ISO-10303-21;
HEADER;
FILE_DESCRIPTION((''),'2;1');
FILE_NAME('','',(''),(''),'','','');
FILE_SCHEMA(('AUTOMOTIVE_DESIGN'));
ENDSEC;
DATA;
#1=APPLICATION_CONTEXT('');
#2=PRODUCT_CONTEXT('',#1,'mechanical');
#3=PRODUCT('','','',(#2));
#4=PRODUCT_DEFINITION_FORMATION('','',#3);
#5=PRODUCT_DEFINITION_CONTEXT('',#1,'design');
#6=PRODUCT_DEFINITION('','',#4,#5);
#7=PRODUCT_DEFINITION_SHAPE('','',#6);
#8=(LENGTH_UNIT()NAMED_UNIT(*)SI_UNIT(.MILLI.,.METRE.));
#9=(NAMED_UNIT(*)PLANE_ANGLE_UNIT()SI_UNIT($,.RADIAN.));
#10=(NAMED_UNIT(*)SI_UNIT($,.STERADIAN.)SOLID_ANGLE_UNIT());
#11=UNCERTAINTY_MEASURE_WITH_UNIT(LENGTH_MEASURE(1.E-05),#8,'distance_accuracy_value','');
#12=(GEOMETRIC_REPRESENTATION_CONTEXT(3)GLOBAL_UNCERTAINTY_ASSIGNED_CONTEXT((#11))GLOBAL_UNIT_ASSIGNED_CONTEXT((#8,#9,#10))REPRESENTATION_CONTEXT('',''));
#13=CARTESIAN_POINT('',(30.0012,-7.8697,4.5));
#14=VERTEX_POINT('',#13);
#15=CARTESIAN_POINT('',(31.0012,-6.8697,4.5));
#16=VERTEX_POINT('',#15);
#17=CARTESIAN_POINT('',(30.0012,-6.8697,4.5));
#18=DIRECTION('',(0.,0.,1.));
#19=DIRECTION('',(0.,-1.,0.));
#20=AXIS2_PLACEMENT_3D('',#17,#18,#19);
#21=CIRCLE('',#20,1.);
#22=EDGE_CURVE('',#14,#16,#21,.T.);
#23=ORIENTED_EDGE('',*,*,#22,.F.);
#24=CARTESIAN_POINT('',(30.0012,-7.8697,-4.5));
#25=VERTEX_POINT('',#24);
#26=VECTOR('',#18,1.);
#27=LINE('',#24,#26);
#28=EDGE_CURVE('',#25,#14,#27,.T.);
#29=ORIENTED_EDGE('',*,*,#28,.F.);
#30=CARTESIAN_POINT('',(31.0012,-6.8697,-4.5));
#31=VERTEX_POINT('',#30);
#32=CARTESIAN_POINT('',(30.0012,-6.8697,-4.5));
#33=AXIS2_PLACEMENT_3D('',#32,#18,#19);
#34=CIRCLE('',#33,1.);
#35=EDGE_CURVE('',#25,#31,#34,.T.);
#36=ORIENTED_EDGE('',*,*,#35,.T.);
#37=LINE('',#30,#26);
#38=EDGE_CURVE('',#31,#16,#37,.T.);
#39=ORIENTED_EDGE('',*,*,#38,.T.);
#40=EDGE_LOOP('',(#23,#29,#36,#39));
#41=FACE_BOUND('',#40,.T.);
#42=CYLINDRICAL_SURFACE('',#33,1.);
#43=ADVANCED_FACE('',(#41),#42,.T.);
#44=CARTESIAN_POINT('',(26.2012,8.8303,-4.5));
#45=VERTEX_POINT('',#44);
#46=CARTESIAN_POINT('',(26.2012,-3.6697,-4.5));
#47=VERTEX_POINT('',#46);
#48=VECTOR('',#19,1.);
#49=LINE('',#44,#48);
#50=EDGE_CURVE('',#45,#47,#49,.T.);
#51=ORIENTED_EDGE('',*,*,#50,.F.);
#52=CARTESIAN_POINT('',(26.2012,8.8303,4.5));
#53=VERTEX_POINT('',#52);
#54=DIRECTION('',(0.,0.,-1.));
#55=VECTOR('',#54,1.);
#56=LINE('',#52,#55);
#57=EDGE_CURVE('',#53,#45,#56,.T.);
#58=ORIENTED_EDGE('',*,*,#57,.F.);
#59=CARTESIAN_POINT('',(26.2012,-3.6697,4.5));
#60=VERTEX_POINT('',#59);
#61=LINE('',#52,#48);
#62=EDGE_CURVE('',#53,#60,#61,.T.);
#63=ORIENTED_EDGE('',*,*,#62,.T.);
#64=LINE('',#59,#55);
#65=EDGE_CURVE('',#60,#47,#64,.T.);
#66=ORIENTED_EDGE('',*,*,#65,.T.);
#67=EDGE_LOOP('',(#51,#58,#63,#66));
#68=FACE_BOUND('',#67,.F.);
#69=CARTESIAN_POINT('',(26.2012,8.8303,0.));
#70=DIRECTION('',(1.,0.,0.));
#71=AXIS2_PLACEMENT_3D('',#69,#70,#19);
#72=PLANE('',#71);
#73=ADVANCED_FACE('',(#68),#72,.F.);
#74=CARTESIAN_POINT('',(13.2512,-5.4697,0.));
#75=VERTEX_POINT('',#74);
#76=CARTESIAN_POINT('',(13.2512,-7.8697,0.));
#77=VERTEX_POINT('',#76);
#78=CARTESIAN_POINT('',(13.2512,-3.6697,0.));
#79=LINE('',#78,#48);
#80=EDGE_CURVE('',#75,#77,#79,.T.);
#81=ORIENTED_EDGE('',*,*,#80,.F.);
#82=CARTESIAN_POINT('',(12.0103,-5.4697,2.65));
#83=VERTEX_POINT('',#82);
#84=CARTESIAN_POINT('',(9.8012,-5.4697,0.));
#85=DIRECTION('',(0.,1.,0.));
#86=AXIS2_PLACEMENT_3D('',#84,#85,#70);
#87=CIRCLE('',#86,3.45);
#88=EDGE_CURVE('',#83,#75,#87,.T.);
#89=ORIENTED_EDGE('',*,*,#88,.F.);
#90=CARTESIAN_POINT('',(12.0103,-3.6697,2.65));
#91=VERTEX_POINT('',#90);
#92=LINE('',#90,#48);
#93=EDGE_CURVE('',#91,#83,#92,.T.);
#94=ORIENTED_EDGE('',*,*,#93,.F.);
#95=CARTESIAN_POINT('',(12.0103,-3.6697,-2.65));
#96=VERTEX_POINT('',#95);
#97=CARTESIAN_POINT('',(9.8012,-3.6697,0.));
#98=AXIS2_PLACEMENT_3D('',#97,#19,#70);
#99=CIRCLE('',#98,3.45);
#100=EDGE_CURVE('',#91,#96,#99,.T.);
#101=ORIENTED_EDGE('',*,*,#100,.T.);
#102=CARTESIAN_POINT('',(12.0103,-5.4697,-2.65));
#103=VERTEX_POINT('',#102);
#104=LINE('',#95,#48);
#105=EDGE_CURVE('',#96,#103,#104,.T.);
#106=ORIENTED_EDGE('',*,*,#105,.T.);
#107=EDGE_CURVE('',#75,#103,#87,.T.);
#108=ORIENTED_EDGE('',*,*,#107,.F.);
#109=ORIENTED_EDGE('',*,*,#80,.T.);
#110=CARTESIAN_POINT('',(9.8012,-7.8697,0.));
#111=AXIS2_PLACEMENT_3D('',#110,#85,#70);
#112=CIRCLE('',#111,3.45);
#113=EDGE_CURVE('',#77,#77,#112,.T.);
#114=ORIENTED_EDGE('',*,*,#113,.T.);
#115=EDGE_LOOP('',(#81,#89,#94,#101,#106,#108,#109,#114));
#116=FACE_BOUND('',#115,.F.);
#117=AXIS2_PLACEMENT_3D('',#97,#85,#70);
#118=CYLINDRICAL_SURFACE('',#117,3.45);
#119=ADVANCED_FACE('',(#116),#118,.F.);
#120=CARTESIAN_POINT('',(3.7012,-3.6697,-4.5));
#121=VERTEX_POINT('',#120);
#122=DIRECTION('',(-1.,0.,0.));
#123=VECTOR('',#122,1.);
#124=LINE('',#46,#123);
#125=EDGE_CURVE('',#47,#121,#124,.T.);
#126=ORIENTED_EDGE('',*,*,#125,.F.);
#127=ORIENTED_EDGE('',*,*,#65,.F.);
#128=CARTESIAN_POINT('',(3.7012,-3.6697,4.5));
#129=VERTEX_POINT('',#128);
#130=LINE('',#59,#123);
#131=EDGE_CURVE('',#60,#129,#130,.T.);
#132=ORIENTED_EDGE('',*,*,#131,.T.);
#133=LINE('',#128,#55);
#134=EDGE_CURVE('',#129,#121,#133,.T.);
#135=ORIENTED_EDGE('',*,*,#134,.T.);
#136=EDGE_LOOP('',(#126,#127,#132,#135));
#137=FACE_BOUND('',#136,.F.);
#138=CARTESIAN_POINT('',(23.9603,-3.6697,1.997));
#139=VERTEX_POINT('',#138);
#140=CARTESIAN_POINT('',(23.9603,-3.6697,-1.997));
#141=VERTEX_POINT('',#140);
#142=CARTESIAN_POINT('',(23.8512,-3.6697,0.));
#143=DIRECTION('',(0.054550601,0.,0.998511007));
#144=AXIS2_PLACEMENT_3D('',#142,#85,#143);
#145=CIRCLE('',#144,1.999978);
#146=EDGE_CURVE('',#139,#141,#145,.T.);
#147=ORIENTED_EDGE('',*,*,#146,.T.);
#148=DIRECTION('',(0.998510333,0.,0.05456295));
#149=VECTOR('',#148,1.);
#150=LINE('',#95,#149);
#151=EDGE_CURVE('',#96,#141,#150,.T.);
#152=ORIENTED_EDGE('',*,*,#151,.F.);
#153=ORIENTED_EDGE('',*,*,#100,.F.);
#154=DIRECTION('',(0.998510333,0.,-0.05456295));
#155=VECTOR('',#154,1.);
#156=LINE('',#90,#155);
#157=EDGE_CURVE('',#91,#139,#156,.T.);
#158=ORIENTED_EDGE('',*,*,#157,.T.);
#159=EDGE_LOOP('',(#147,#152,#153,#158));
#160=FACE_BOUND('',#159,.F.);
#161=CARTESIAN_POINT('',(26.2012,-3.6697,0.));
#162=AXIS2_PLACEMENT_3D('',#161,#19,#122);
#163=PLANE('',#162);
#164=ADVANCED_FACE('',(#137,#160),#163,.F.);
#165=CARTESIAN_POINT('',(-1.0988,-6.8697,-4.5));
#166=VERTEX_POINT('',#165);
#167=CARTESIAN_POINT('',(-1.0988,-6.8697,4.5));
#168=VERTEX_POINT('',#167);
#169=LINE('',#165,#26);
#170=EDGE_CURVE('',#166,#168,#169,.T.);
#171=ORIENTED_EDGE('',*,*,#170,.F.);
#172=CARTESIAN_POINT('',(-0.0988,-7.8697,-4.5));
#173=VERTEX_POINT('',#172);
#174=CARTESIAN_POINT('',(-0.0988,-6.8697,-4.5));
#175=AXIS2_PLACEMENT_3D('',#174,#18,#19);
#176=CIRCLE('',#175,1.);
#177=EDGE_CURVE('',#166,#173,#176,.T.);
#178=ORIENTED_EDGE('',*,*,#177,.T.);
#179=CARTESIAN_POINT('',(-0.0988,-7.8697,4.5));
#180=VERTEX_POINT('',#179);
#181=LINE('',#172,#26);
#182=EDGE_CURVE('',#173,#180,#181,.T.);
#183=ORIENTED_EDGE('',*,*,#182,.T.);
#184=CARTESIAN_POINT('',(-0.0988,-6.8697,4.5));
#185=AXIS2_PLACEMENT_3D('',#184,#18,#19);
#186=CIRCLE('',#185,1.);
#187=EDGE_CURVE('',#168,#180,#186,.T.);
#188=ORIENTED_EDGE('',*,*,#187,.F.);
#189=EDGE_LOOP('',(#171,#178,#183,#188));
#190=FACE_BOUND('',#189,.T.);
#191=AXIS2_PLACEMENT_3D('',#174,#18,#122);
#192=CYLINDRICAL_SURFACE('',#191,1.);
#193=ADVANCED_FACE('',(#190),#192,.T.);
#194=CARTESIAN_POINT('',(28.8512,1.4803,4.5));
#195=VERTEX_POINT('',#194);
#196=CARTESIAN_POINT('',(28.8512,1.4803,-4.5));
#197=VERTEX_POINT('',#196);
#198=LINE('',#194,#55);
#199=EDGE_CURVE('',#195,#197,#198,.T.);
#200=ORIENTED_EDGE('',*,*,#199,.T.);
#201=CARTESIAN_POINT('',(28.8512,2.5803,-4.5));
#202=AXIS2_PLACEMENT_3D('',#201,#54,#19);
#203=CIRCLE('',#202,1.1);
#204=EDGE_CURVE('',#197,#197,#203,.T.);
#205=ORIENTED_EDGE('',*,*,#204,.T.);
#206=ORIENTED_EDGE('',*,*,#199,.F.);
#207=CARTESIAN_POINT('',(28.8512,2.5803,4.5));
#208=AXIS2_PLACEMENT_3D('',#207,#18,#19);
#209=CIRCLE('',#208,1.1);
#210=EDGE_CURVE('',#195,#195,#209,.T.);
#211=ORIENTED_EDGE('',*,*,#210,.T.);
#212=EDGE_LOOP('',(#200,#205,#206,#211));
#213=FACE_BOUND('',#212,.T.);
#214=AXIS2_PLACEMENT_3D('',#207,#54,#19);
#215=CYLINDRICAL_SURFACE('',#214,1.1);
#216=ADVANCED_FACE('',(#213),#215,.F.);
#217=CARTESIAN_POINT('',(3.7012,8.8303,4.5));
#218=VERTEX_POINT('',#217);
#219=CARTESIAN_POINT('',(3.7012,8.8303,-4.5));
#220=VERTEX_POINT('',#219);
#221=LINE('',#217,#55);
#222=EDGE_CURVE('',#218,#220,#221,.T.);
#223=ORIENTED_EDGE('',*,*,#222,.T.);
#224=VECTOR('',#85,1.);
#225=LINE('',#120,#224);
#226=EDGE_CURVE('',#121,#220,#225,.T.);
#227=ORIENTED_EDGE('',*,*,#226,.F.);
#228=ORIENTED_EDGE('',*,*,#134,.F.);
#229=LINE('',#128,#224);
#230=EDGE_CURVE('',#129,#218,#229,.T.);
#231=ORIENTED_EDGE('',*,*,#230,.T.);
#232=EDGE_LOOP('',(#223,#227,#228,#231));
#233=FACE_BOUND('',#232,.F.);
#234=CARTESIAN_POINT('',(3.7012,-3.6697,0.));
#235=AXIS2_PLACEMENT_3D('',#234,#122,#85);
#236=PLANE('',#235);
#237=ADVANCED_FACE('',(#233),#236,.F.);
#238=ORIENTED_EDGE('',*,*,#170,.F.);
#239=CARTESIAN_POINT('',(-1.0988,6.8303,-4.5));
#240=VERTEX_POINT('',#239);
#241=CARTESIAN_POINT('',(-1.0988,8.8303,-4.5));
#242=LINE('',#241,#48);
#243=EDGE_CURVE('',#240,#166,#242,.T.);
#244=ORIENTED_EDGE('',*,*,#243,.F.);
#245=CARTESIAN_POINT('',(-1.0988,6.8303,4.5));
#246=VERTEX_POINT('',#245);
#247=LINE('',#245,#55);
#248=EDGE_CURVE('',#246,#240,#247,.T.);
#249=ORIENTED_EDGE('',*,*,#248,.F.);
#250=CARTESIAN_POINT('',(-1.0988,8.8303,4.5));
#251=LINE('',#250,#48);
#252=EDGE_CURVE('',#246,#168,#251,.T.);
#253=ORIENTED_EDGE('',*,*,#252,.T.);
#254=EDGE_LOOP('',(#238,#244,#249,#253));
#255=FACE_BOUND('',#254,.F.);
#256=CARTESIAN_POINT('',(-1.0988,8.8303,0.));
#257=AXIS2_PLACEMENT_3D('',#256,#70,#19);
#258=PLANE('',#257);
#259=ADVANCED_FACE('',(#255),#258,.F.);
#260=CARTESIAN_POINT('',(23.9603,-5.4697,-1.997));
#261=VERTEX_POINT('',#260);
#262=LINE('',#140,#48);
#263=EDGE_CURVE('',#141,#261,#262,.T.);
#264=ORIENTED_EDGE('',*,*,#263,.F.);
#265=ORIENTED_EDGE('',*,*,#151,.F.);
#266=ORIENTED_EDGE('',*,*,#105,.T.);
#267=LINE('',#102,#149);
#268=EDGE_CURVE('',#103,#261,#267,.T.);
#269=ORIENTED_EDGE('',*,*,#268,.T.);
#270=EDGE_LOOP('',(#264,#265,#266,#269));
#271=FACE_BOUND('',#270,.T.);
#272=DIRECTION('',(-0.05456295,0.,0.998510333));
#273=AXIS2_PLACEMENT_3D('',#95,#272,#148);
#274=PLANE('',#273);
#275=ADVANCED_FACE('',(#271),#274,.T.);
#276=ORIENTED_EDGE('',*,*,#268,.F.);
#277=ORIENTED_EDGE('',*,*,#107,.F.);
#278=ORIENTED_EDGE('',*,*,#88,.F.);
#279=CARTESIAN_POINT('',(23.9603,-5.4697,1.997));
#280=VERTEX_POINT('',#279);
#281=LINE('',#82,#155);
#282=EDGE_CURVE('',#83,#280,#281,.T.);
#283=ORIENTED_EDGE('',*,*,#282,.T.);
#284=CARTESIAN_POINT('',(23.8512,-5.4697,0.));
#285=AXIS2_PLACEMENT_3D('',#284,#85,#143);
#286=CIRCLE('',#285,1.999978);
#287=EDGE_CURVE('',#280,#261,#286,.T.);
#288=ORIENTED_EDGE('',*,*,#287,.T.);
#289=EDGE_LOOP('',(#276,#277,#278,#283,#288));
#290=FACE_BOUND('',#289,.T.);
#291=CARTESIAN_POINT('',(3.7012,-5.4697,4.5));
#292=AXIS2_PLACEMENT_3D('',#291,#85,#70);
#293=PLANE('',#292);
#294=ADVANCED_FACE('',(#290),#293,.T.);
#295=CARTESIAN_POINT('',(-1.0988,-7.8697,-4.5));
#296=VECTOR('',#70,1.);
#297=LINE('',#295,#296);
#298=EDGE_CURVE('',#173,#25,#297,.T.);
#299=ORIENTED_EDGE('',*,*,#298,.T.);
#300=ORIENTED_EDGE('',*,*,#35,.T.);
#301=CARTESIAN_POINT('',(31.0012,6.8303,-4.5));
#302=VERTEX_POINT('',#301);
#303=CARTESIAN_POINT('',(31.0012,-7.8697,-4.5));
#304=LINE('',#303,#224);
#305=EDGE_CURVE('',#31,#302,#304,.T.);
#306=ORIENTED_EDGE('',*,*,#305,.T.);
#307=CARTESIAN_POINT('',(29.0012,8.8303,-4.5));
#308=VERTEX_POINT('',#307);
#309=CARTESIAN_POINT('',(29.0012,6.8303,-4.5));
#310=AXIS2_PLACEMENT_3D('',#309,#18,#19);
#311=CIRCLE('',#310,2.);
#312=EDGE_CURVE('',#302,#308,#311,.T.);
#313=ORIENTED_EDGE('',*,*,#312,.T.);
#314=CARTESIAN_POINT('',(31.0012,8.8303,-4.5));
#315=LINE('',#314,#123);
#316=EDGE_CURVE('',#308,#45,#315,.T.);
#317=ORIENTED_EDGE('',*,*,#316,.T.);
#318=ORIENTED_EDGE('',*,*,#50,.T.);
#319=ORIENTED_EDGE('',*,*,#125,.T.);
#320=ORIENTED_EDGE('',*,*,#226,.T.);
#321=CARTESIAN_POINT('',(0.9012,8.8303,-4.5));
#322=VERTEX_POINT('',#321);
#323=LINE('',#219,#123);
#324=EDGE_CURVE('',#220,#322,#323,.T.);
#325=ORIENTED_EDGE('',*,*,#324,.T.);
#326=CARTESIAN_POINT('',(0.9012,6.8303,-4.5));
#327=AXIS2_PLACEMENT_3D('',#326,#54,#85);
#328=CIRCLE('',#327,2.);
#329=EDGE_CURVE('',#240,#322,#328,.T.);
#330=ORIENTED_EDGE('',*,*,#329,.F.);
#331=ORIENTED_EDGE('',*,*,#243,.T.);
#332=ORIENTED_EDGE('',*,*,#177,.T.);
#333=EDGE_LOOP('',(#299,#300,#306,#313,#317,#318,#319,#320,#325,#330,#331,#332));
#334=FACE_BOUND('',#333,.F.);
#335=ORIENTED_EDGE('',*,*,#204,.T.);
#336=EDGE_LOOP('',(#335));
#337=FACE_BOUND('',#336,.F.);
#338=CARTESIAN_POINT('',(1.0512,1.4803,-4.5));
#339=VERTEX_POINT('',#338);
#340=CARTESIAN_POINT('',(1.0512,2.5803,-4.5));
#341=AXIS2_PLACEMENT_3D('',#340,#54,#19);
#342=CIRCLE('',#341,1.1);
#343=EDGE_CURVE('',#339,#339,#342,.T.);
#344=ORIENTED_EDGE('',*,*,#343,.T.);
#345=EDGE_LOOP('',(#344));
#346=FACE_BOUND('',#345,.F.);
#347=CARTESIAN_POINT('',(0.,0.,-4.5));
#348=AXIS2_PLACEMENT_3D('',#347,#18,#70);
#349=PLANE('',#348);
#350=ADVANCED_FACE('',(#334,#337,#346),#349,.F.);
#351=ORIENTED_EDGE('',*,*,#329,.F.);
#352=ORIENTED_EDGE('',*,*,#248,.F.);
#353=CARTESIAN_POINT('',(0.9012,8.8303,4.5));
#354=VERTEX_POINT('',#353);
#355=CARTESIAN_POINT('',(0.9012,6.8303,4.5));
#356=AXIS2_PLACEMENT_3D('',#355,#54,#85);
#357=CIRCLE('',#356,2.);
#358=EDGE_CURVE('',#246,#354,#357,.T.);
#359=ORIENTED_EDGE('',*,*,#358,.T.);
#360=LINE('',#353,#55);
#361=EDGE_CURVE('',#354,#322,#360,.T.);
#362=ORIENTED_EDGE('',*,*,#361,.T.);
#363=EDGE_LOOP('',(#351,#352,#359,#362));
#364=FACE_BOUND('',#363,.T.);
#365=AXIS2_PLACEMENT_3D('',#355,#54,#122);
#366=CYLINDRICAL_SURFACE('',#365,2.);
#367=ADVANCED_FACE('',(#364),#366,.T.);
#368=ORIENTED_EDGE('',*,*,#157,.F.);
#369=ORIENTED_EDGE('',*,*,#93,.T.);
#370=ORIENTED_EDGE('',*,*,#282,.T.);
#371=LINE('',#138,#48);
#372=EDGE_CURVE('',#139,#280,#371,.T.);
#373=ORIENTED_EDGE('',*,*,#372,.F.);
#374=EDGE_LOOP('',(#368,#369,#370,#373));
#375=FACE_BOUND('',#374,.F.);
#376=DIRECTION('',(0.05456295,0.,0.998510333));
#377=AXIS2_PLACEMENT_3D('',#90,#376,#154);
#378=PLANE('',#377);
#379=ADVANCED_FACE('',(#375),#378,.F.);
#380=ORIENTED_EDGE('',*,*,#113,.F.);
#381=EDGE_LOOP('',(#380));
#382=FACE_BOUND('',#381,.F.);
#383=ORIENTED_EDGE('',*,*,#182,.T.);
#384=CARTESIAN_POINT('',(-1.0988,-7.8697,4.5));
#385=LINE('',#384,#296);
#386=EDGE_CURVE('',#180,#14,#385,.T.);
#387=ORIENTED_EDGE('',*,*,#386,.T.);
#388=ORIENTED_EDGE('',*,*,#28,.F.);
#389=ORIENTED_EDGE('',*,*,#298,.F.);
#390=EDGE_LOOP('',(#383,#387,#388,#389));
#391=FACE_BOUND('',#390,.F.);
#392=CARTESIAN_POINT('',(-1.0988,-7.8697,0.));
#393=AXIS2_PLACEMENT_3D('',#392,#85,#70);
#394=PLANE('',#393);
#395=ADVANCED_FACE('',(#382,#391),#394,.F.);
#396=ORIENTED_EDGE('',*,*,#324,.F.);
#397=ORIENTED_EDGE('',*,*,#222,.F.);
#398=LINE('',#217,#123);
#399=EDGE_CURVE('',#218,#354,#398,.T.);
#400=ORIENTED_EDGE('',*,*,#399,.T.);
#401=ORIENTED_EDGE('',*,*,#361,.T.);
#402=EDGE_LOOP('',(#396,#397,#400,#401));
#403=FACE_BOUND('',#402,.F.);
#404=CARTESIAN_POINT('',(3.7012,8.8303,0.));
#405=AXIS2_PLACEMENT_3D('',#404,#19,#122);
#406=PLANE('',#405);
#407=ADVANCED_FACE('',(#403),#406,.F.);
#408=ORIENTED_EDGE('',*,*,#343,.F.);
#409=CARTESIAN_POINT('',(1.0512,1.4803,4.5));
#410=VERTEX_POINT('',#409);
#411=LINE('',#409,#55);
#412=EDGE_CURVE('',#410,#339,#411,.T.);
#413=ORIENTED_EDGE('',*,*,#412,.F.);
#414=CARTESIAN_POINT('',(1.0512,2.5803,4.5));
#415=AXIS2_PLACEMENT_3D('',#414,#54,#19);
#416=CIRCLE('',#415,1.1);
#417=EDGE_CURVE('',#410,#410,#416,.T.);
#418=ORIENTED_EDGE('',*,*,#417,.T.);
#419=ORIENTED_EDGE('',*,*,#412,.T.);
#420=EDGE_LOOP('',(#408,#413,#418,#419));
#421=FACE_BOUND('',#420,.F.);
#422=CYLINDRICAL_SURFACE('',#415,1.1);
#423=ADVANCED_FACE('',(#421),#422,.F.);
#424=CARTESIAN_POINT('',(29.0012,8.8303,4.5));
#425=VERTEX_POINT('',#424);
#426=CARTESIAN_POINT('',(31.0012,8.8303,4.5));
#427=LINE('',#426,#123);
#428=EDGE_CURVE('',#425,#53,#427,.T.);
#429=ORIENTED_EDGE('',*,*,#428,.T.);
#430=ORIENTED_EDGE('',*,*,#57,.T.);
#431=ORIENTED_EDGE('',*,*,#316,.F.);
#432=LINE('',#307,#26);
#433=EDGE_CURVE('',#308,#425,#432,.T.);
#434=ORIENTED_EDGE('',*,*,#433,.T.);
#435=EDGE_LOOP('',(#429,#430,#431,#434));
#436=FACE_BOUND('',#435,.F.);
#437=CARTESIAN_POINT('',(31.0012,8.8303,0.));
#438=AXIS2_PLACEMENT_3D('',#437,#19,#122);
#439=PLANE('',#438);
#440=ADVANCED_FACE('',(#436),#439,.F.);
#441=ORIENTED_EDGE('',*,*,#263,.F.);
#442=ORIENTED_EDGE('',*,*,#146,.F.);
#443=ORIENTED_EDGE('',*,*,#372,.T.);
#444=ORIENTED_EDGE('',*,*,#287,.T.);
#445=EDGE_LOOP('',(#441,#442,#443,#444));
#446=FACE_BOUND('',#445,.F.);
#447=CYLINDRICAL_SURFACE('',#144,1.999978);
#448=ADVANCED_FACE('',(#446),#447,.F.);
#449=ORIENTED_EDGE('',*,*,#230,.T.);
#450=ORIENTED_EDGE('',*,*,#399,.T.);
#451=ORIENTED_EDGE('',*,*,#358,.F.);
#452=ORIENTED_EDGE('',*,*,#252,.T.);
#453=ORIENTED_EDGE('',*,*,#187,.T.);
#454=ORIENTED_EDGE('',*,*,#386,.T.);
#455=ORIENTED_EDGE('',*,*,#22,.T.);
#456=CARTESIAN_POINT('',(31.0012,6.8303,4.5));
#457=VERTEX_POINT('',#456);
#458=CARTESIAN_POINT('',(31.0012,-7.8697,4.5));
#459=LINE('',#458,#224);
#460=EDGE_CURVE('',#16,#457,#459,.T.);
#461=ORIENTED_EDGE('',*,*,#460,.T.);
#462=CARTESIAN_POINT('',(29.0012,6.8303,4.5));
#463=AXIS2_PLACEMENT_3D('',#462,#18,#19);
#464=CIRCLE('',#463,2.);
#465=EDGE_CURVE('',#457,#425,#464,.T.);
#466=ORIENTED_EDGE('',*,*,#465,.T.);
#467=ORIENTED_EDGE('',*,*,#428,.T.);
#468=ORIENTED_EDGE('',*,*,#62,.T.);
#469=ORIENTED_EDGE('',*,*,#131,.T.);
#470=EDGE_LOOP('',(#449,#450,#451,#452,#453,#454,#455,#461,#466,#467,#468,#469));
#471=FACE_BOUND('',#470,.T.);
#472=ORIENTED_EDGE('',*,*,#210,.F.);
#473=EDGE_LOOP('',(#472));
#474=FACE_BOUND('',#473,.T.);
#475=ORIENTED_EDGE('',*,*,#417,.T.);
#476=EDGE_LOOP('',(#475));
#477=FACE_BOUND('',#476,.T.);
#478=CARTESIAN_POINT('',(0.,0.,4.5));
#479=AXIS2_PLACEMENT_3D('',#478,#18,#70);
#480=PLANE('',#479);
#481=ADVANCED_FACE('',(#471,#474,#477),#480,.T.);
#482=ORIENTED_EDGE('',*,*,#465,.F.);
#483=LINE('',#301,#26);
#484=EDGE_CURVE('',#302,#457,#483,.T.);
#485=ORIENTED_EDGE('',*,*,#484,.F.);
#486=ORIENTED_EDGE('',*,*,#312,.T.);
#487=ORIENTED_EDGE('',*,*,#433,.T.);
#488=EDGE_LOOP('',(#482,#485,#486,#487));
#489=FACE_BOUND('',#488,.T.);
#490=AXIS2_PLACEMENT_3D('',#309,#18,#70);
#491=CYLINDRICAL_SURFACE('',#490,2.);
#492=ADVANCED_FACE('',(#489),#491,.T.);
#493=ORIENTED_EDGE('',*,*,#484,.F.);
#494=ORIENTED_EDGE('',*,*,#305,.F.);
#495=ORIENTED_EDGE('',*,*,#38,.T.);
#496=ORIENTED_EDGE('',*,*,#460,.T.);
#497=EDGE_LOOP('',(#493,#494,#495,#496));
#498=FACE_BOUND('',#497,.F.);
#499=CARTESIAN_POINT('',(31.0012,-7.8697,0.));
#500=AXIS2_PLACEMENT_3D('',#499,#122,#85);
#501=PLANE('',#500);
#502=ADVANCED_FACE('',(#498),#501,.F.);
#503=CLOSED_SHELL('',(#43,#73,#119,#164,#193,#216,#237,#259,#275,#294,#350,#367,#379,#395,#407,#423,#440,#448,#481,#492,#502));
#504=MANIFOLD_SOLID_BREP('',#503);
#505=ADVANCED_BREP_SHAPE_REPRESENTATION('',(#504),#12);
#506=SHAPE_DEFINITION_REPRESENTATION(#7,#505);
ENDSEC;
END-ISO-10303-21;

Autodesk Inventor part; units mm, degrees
ref_plane "YZ Plane" through (0, 0, 0) normal (1, 0, 0) x (0, 1, 0)
ref_plane "XZ Plane" through (0, 0, 0) normal (0, 1, 0) x (-1, 0, 0)
sketch "Sketch1" plane through (0, 0, 0) normal (0, 0, 1) x (1, 0, 0)
  line L0 (-1.0988, -7.8697) -> (31.0012, -7.8697)
  line L1 (31.0012, -7.8697) -> (31.0012, 8.8303)
  line L2 (31.0012, 8.8303) -> (26.2012, 8.8303)
  line L3 (26.2012, 8.8303) -> (26.2012, -3.6697)
  line L4 (26.2012, -3.6697) -> (3.7012, -3.6697)
  line L5 (3.7012, -3.6697) -> (3.7012, 8.8303)
  line L6 (3.7012, 8.8303) -> (-1.0988, 8.8303)
  line L7 (-1.0988, 8.8303) -> (-1.0988, -7.8697)
  dimension "d5" = 4.8
  dimension "d6" = 22.5
  dimension "d7" = 12.5
  dimension "d8" = 4.2
extrude "Extrusion1" add sketch "Sketch1" along normal mid plane 9
sketch "Sketch2" plane through (0, 0, 4.5) normal (0, 0, 1) x (1, 0, 0)
  line L0 (3.7012, -3.6697) -> (3.7012, 8.8303) projected
  line L1 (3.7012, 8.8303) -> (-1.0988, 8.8303) projected
  point P0 (0, 0)
  point P1 (3.7012, 2.5803)
  point P2 (3.7012, 2.5803)
  point P3 (1.0512, 2.5803)
  point P4 (3.7012, 2.5803)
  point P5 (3.7012, 2.5803)
  dimension "d14" = 2.65
hole "Hole1" at (1.0512, 2.5803, 4.5) direction (0, 0, -1) diameter 2.2 end through all
ref_plane "Work Plane1" through (14.9512, -3.6697, 4.5) normal (-1, 0, 0) x (0, 0, 1)
mirror "Mirror1" about plane through (14.9512, -3.6697, 4.5) normal (-1, 0, 0) of "Hole1"
sketch "Sketch4" plane through (3.7012, -3.6697, 4.5) normal (0, 1, 0) x (1, 0, 0)
  line L0 (0, 9) -> (0, 0) projected
  line L1 (22.5, 0) -> (0, 0) projected
  line L2 (22.5, 9) -> (22.5, 0) projected
  line L3 (0, 9) -> (22.5, 9) projected
  circle A0 centre (6.1, 4.5) radius 3.45
  line L4 (8.3091, 7.15) -> (8.3091, 1.85) construction
  arc A1 (20.2591, 2.503) -> (20.2591, 6.497) centre (20.15, 4.5) ccw
  line L5 (8.3091, 7.15) -> (20.2591, 6.497)
  line L6 (8.3091, 1.85) -> (20.2591, 2.503)
  line L7 (6.1, 4.5) -> (20.15, 4.5) construction
  line L8 (0, 9) -> (0, 0) projected
  line L9 (0, 9) -> (0, 0) projected
  point P0 (-3.7012, 4.5)
  point P1 (11.25, 9)
  point P2 (0, 4.5)
  point P3 (0, 4.5)
  dimension "d23" = 5.3
  dimension "d25" = 2
  dimension "d26" = 14.05
  dimension "d27" = 6.9
  dimension "d28" = 6.1
extrude "Extrusion2" cut sketch "Sketch4" against normal through all contours A0
extrude "Extrusion3" cut sketch "Sketch4" against normal blind 1.8 contours A0 L5 A1 L6
fillet "Fillet1" radius 2 2 edges at (-1.0988, 8.8303, 0) (31.0012, 8.8303, 0)
fillet "Fillet1" radius 1 2 edges at (31.0012, -7.8697, 0) (-1.0988, -7.8697, 0)
properties part number "Hip v0.1"
